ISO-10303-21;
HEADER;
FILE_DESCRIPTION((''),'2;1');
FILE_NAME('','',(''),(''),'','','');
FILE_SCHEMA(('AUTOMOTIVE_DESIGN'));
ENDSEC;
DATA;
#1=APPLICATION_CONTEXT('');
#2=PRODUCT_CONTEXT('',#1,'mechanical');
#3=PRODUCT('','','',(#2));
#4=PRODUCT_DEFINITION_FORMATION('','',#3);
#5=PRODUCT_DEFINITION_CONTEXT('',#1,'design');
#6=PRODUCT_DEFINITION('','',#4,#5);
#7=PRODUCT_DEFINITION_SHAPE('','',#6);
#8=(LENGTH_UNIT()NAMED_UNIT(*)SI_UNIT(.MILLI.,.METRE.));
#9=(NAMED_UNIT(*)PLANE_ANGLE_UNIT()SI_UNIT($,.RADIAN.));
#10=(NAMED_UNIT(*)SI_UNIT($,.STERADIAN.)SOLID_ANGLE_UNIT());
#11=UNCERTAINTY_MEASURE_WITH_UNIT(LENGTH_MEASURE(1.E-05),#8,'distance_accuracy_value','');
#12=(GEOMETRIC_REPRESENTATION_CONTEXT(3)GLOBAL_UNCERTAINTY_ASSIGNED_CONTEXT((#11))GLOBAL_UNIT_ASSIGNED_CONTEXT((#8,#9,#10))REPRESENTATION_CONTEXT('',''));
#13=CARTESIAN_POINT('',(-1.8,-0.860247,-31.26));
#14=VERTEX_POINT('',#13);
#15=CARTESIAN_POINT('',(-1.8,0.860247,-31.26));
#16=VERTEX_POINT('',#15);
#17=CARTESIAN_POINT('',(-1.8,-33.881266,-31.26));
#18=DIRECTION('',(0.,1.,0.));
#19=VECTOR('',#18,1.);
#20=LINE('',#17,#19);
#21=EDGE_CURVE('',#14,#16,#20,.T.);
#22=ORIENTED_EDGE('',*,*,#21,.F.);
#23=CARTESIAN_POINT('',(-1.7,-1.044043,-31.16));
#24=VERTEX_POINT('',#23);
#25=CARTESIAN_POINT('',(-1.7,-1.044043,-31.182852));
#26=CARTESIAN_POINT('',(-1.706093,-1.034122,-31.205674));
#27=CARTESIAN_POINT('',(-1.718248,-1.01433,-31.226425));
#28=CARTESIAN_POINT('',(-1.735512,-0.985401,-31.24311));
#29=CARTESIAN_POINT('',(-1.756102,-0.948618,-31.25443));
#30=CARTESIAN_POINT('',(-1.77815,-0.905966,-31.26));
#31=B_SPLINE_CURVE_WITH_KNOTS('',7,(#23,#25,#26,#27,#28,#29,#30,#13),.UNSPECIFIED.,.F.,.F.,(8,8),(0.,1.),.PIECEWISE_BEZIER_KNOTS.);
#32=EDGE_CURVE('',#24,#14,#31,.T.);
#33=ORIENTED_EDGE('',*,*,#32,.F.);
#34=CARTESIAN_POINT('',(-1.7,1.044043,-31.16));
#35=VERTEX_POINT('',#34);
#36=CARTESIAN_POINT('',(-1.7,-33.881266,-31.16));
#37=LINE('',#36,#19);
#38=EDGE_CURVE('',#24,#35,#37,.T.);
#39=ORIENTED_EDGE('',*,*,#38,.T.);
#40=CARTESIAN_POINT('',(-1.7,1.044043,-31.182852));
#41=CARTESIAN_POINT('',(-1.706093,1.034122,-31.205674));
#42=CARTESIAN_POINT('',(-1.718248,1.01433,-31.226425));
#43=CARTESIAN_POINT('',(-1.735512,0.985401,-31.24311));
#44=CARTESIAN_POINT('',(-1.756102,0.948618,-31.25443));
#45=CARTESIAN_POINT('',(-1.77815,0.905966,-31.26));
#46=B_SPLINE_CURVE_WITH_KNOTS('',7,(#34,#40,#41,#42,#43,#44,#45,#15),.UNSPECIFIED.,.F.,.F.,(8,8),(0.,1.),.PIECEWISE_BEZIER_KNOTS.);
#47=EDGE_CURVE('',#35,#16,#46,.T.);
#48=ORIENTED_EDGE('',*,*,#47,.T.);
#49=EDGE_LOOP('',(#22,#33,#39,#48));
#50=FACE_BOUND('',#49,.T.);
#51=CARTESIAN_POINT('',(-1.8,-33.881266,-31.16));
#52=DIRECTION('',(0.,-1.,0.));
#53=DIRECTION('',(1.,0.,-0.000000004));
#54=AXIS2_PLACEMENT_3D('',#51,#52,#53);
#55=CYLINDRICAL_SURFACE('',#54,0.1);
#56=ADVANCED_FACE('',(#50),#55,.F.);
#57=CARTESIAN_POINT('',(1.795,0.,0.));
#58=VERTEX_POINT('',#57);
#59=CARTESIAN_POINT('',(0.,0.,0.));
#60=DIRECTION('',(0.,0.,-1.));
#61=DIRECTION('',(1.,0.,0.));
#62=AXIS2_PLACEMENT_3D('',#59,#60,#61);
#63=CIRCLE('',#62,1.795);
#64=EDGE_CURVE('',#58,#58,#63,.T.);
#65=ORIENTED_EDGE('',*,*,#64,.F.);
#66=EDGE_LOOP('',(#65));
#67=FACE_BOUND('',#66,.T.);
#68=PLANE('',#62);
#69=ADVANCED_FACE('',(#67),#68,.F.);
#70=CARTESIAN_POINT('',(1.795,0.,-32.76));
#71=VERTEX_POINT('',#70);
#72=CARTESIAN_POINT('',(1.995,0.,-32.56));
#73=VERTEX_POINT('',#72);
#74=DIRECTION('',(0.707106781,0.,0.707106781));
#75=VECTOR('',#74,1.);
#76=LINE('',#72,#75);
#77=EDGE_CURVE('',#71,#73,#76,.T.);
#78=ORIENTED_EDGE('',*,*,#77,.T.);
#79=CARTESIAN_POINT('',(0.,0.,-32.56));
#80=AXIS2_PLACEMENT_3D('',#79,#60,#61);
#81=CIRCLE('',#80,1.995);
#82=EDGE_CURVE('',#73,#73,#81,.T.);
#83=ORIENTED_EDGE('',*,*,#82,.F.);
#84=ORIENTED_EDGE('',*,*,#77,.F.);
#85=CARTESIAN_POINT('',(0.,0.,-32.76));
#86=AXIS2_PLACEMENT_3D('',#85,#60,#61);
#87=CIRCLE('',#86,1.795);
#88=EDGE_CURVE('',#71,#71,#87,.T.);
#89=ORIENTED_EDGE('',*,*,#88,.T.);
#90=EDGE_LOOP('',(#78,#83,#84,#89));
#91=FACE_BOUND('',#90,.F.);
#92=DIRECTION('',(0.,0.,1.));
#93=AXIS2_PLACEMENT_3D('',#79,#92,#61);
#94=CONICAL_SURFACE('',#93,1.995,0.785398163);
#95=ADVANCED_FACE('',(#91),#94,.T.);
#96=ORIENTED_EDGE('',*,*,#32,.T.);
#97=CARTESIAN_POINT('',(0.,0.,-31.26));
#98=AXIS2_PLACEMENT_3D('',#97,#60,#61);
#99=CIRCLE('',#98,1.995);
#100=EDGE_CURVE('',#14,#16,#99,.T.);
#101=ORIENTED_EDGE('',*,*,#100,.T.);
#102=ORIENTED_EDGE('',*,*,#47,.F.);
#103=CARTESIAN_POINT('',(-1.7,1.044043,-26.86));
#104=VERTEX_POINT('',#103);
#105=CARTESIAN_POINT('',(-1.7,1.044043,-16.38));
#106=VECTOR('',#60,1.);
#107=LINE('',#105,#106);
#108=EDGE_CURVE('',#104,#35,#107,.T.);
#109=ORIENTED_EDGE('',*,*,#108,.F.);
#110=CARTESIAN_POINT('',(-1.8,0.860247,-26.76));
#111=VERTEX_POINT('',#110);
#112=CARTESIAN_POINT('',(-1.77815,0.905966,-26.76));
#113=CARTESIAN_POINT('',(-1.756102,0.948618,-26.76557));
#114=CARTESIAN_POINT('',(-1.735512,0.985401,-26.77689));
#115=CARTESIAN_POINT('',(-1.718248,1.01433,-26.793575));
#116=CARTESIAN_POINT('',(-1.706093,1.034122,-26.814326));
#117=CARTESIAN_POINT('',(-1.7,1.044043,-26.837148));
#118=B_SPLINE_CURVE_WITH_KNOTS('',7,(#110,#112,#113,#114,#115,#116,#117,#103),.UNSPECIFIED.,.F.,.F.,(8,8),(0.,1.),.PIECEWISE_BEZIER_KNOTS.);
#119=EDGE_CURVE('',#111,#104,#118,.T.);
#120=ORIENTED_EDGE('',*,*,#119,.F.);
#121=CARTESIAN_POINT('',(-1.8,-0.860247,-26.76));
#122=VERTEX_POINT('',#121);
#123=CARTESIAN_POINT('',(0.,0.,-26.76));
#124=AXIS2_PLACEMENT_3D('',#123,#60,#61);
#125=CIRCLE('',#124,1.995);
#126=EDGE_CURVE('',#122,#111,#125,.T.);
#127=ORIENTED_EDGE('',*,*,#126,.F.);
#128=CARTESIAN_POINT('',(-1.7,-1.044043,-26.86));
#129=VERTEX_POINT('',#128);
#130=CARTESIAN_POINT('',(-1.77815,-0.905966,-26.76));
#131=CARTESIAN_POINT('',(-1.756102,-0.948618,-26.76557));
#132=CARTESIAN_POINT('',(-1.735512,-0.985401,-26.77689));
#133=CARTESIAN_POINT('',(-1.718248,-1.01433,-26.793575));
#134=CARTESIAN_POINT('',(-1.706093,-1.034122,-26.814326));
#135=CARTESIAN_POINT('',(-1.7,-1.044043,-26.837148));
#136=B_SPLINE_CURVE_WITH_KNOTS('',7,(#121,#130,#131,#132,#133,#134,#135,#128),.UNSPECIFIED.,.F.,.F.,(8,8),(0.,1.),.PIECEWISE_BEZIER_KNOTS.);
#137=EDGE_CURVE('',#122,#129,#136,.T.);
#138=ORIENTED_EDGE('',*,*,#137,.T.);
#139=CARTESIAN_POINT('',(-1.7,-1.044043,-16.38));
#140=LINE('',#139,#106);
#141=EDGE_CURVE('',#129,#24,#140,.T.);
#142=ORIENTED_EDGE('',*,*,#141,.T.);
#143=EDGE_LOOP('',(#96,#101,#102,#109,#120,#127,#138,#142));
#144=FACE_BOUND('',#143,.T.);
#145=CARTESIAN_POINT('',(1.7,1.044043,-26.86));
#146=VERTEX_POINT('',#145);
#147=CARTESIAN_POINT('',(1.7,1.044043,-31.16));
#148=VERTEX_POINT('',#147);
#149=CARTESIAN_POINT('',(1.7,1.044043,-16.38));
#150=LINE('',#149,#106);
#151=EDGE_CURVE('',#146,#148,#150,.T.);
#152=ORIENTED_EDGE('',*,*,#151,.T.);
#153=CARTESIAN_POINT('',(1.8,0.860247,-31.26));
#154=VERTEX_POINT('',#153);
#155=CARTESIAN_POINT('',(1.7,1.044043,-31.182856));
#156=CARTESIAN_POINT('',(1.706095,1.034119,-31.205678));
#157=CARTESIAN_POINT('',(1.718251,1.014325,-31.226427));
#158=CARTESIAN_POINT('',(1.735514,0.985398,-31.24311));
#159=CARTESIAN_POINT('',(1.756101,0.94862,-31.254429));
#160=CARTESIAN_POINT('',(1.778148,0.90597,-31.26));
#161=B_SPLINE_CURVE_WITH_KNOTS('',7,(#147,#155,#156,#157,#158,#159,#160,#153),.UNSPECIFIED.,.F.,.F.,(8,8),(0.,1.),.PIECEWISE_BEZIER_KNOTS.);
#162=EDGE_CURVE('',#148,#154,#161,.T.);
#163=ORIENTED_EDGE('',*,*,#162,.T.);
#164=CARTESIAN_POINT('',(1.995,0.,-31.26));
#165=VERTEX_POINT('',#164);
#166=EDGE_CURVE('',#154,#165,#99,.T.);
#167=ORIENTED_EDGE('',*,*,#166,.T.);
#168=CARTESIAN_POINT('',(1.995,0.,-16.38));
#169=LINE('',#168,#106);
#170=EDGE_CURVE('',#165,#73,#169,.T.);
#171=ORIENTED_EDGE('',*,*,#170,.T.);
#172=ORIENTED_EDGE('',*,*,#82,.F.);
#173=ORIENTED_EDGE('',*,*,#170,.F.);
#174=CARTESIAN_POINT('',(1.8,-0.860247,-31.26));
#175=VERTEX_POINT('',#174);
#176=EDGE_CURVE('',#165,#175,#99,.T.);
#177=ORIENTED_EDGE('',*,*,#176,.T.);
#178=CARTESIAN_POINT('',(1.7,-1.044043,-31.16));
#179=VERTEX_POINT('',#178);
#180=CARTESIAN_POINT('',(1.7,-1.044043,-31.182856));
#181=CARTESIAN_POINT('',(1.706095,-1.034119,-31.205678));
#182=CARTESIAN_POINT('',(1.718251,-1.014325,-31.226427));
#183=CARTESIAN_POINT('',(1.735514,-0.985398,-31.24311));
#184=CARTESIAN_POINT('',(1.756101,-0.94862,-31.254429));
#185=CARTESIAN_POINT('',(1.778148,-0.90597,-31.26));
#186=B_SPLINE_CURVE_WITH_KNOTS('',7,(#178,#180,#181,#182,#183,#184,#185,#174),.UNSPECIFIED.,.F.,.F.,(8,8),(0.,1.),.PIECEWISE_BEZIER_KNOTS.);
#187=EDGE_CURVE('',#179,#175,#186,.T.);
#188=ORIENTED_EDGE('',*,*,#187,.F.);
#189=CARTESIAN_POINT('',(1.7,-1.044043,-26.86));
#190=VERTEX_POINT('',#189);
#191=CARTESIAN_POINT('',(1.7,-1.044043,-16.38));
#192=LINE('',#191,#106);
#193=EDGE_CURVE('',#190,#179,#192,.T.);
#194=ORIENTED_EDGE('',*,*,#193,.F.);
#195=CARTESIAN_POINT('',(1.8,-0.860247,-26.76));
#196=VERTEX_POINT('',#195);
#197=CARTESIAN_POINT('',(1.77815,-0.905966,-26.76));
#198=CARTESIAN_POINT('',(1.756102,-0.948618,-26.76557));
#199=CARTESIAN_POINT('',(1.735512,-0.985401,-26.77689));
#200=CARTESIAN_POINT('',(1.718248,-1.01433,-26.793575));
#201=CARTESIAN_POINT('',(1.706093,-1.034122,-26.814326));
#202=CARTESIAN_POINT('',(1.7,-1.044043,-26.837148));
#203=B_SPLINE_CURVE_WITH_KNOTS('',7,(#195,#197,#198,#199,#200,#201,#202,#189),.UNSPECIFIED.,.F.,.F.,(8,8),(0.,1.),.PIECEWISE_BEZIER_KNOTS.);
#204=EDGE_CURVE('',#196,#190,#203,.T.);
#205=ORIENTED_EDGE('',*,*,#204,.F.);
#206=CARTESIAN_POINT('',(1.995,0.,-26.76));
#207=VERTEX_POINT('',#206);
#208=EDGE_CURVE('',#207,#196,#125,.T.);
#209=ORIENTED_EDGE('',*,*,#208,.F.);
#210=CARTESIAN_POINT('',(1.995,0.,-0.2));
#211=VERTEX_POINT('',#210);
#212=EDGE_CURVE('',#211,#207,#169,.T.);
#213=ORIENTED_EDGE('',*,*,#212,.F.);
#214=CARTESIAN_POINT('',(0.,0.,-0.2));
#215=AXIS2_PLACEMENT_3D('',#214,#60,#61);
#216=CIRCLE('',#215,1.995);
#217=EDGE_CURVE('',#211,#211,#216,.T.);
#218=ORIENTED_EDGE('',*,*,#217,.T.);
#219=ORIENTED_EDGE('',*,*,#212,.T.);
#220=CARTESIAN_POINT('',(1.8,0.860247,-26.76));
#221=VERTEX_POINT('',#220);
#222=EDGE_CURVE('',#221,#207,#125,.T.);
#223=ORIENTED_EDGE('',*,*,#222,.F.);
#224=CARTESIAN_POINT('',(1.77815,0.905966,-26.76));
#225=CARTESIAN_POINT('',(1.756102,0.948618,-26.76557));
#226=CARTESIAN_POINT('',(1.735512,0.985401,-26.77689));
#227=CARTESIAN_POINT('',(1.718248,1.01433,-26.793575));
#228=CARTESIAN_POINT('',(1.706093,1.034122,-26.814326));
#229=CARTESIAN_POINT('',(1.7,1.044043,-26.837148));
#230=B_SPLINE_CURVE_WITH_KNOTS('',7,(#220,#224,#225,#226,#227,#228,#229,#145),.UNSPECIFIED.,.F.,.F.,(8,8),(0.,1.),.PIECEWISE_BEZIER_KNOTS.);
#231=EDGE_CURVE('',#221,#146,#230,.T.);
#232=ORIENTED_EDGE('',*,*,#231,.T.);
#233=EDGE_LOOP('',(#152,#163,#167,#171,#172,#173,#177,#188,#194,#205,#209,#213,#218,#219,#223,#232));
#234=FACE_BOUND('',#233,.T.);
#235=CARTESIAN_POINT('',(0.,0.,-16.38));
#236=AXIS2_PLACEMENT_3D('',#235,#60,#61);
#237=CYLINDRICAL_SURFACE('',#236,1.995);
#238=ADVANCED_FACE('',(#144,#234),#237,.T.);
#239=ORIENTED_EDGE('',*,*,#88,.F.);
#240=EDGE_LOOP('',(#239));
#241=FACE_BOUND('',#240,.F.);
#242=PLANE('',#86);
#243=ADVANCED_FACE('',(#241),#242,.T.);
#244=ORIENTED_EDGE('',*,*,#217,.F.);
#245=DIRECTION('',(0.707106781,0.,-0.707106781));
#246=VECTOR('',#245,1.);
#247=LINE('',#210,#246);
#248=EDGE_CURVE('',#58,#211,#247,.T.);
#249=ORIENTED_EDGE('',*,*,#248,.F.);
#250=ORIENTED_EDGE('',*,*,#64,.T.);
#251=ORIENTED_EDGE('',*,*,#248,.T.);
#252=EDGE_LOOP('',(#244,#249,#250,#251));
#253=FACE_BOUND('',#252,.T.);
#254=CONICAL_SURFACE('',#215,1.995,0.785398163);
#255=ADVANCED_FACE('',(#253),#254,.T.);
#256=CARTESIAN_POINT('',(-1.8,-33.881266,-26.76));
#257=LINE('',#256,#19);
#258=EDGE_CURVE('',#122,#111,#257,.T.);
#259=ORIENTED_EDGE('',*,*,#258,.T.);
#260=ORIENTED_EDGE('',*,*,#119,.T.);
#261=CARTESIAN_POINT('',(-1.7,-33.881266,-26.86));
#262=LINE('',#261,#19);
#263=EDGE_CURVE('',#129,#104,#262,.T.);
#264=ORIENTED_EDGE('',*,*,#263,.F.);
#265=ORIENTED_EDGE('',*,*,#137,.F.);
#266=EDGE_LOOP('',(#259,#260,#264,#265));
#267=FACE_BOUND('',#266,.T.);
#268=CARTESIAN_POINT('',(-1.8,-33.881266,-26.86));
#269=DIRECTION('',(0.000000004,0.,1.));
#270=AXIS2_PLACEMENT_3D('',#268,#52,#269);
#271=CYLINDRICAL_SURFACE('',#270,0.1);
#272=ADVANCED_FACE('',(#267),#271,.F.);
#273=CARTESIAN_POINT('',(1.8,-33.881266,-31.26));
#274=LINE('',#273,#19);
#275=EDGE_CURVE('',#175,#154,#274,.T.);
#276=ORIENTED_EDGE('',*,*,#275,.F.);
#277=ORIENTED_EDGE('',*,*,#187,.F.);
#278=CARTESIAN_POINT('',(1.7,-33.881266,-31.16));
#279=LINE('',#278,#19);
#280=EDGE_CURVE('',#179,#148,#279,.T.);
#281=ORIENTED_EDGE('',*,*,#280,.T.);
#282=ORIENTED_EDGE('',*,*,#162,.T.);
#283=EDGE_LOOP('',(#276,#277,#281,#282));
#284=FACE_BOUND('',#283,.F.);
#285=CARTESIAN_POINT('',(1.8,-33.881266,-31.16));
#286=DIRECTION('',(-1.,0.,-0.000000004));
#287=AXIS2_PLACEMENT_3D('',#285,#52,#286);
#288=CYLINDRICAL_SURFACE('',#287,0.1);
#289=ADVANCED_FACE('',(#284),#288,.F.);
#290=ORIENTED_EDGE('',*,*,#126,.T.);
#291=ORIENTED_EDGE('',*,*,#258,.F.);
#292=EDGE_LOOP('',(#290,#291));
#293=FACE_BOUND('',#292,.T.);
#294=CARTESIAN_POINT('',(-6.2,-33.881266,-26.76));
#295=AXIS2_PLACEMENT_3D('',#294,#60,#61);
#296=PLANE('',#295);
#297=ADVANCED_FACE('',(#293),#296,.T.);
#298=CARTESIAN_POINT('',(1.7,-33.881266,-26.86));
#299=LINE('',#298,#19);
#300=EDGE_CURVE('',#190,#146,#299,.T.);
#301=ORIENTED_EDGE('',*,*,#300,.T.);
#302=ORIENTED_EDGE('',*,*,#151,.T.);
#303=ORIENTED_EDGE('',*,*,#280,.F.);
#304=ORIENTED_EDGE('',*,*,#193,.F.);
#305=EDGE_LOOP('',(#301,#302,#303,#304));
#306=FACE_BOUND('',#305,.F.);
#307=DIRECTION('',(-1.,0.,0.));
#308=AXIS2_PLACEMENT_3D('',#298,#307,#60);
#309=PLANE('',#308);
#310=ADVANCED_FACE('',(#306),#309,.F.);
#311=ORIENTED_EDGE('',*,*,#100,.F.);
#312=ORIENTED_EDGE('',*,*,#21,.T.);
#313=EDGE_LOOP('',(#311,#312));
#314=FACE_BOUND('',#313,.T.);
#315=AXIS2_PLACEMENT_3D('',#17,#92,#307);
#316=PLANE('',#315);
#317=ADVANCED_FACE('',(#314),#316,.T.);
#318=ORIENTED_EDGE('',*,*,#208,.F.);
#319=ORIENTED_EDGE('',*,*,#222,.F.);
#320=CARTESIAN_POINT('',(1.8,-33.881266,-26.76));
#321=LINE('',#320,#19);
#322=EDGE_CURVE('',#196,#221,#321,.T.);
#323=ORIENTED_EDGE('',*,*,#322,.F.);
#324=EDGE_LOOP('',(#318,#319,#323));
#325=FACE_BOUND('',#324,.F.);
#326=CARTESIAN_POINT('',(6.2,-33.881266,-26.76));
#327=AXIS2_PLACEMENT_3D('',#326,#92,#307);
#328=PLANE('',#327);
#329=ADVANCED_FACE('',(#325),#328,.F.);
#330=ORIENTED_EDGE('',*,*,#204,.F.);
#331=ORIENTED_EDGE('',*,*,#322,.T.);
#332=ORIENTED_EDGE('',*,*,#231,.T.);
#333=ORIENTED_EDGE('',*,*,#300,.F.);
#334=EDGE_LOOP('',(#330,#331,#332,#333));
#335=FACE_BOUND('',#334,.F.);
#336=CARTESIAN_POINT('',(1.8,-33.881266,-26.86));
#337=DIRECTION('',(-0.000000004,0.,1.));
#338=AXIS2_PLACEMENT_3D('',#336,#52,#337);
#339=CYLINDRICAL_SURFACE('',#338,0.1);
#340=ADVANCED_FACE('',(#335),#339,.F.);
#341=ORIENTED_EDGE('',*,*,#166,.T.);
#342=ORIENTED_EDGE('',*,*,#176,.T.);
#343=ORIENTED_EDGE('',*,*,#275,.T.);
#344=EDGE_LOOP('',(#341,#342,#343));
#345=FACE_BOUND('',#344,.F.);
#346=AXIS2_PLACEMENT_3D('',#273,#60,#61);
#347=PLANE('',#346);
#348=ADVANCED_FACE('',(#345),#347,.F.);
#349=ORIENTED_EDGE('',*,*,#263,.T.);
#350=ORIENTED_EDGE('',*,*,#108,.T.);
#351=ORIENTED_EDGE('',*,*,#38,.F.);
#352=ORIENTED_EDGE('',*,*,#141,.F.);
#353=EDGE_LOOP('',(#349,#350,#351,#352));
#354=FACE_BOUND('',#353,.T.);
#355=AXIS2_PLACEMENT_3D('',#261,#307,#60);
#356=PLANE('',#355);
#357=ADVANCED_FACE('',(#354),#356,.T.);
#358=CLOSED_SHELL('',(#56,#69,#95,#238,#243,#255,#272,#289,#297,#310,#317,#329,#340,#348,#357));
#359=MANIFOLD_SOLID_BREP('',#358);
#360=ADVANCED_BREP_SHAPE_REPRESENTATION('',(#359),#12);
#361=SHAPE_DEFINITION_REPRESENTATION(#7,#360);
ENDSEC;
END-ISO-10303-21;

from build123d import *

# Parameters (mm, degrees)
SKIZZE1_W                            = 32.76
SKIZZE1_H                            = 1.995
FASE1_SIZE                           = 0.2
SCHNITT_LINEAR_AUSTRAGEN1_DEPTH      = 33.881265943
SCHNITT_LINEAR_AUSTRAGEN1_DEPTH_BACK = 33.881265943


with BuildPart() as part:
    # Skizze1 → Rotation1 (revolve)
    with BuildSketch(Plane(origin=(0, 0, 0), x_dir=(0, 0, -1), z_dir=(1, 0, 0))):
        with Locations((16.38, 0.9975)):
            Rectangle(SKIZZE1_W, SKIZZE1_H)
    revolve(axis=Axis((0, 0, 50.516901408), (0, 0, -1)))

    # Fase1
    fase1_edges = [part.edges().sort_by_distance(p)[0] for p in [
        (0, -1.995, -32.76),
        (0, -1.995, 0),
    ]]
    chamfer(fase1_edges, length=FASE1_SIZE)

    # Skizze2 → Schnitt-Linear austragen1 (cut, two sides: drawn at the far end of the back side and taken through both)
    with BuildSketch(Plane(origin=(0, 0, 0), x_dir=(1, 0, 0), z_dir=(0, 1, 0)).offset(-SCHNITT_LINEAR_AUSTRAGEN1_DEPTH_BACK)):
        with BuildLine():
            Line((-6.2, 26.76), (-1.8, 26.76))
            ThreePointArc((-1.8, 26.76), (-1.729289322, 26.789289322), (-1.7, 26.86))
            Line((-1.7, 26.86), (-1.7, 31.16))
            ThreePointArc((-1.7, 31.16), (-1.729289322, 31.230710678), (-1.8, 31.26))
            Line((-1.8, 31.26), (-6.2, 31.26))
            Line((-6.2, 31.26), (-6.2, 26.76))
        make_face()
        with BuildLine():
            Line((1.7, 26.86), (1.7, 31.16))
            ThreePointArc((1.7, 31.16), (1.729289322, 31.230710678), (1.8, 31.26))
            Line((1.8, 31.26), (6.2, 31.26))
            Line((6.2, 31.26), (6.2, 26.76))
            Line((6.2, 26.76), (1.8, 26.76))
            ThreePointArc((1.8, 26.76), (1.729289322, 26.789289322), (1.7, 26.86))
        make_face()
    extrude(amount=SCHNITT_LINEAR_AUSTRAGEN1_DEPTH + SCHNITT_LINEAR_AUSTRAGEN1_DEPTH_BACK, mode=Mode.SUBTRACT)


solid = part.part
